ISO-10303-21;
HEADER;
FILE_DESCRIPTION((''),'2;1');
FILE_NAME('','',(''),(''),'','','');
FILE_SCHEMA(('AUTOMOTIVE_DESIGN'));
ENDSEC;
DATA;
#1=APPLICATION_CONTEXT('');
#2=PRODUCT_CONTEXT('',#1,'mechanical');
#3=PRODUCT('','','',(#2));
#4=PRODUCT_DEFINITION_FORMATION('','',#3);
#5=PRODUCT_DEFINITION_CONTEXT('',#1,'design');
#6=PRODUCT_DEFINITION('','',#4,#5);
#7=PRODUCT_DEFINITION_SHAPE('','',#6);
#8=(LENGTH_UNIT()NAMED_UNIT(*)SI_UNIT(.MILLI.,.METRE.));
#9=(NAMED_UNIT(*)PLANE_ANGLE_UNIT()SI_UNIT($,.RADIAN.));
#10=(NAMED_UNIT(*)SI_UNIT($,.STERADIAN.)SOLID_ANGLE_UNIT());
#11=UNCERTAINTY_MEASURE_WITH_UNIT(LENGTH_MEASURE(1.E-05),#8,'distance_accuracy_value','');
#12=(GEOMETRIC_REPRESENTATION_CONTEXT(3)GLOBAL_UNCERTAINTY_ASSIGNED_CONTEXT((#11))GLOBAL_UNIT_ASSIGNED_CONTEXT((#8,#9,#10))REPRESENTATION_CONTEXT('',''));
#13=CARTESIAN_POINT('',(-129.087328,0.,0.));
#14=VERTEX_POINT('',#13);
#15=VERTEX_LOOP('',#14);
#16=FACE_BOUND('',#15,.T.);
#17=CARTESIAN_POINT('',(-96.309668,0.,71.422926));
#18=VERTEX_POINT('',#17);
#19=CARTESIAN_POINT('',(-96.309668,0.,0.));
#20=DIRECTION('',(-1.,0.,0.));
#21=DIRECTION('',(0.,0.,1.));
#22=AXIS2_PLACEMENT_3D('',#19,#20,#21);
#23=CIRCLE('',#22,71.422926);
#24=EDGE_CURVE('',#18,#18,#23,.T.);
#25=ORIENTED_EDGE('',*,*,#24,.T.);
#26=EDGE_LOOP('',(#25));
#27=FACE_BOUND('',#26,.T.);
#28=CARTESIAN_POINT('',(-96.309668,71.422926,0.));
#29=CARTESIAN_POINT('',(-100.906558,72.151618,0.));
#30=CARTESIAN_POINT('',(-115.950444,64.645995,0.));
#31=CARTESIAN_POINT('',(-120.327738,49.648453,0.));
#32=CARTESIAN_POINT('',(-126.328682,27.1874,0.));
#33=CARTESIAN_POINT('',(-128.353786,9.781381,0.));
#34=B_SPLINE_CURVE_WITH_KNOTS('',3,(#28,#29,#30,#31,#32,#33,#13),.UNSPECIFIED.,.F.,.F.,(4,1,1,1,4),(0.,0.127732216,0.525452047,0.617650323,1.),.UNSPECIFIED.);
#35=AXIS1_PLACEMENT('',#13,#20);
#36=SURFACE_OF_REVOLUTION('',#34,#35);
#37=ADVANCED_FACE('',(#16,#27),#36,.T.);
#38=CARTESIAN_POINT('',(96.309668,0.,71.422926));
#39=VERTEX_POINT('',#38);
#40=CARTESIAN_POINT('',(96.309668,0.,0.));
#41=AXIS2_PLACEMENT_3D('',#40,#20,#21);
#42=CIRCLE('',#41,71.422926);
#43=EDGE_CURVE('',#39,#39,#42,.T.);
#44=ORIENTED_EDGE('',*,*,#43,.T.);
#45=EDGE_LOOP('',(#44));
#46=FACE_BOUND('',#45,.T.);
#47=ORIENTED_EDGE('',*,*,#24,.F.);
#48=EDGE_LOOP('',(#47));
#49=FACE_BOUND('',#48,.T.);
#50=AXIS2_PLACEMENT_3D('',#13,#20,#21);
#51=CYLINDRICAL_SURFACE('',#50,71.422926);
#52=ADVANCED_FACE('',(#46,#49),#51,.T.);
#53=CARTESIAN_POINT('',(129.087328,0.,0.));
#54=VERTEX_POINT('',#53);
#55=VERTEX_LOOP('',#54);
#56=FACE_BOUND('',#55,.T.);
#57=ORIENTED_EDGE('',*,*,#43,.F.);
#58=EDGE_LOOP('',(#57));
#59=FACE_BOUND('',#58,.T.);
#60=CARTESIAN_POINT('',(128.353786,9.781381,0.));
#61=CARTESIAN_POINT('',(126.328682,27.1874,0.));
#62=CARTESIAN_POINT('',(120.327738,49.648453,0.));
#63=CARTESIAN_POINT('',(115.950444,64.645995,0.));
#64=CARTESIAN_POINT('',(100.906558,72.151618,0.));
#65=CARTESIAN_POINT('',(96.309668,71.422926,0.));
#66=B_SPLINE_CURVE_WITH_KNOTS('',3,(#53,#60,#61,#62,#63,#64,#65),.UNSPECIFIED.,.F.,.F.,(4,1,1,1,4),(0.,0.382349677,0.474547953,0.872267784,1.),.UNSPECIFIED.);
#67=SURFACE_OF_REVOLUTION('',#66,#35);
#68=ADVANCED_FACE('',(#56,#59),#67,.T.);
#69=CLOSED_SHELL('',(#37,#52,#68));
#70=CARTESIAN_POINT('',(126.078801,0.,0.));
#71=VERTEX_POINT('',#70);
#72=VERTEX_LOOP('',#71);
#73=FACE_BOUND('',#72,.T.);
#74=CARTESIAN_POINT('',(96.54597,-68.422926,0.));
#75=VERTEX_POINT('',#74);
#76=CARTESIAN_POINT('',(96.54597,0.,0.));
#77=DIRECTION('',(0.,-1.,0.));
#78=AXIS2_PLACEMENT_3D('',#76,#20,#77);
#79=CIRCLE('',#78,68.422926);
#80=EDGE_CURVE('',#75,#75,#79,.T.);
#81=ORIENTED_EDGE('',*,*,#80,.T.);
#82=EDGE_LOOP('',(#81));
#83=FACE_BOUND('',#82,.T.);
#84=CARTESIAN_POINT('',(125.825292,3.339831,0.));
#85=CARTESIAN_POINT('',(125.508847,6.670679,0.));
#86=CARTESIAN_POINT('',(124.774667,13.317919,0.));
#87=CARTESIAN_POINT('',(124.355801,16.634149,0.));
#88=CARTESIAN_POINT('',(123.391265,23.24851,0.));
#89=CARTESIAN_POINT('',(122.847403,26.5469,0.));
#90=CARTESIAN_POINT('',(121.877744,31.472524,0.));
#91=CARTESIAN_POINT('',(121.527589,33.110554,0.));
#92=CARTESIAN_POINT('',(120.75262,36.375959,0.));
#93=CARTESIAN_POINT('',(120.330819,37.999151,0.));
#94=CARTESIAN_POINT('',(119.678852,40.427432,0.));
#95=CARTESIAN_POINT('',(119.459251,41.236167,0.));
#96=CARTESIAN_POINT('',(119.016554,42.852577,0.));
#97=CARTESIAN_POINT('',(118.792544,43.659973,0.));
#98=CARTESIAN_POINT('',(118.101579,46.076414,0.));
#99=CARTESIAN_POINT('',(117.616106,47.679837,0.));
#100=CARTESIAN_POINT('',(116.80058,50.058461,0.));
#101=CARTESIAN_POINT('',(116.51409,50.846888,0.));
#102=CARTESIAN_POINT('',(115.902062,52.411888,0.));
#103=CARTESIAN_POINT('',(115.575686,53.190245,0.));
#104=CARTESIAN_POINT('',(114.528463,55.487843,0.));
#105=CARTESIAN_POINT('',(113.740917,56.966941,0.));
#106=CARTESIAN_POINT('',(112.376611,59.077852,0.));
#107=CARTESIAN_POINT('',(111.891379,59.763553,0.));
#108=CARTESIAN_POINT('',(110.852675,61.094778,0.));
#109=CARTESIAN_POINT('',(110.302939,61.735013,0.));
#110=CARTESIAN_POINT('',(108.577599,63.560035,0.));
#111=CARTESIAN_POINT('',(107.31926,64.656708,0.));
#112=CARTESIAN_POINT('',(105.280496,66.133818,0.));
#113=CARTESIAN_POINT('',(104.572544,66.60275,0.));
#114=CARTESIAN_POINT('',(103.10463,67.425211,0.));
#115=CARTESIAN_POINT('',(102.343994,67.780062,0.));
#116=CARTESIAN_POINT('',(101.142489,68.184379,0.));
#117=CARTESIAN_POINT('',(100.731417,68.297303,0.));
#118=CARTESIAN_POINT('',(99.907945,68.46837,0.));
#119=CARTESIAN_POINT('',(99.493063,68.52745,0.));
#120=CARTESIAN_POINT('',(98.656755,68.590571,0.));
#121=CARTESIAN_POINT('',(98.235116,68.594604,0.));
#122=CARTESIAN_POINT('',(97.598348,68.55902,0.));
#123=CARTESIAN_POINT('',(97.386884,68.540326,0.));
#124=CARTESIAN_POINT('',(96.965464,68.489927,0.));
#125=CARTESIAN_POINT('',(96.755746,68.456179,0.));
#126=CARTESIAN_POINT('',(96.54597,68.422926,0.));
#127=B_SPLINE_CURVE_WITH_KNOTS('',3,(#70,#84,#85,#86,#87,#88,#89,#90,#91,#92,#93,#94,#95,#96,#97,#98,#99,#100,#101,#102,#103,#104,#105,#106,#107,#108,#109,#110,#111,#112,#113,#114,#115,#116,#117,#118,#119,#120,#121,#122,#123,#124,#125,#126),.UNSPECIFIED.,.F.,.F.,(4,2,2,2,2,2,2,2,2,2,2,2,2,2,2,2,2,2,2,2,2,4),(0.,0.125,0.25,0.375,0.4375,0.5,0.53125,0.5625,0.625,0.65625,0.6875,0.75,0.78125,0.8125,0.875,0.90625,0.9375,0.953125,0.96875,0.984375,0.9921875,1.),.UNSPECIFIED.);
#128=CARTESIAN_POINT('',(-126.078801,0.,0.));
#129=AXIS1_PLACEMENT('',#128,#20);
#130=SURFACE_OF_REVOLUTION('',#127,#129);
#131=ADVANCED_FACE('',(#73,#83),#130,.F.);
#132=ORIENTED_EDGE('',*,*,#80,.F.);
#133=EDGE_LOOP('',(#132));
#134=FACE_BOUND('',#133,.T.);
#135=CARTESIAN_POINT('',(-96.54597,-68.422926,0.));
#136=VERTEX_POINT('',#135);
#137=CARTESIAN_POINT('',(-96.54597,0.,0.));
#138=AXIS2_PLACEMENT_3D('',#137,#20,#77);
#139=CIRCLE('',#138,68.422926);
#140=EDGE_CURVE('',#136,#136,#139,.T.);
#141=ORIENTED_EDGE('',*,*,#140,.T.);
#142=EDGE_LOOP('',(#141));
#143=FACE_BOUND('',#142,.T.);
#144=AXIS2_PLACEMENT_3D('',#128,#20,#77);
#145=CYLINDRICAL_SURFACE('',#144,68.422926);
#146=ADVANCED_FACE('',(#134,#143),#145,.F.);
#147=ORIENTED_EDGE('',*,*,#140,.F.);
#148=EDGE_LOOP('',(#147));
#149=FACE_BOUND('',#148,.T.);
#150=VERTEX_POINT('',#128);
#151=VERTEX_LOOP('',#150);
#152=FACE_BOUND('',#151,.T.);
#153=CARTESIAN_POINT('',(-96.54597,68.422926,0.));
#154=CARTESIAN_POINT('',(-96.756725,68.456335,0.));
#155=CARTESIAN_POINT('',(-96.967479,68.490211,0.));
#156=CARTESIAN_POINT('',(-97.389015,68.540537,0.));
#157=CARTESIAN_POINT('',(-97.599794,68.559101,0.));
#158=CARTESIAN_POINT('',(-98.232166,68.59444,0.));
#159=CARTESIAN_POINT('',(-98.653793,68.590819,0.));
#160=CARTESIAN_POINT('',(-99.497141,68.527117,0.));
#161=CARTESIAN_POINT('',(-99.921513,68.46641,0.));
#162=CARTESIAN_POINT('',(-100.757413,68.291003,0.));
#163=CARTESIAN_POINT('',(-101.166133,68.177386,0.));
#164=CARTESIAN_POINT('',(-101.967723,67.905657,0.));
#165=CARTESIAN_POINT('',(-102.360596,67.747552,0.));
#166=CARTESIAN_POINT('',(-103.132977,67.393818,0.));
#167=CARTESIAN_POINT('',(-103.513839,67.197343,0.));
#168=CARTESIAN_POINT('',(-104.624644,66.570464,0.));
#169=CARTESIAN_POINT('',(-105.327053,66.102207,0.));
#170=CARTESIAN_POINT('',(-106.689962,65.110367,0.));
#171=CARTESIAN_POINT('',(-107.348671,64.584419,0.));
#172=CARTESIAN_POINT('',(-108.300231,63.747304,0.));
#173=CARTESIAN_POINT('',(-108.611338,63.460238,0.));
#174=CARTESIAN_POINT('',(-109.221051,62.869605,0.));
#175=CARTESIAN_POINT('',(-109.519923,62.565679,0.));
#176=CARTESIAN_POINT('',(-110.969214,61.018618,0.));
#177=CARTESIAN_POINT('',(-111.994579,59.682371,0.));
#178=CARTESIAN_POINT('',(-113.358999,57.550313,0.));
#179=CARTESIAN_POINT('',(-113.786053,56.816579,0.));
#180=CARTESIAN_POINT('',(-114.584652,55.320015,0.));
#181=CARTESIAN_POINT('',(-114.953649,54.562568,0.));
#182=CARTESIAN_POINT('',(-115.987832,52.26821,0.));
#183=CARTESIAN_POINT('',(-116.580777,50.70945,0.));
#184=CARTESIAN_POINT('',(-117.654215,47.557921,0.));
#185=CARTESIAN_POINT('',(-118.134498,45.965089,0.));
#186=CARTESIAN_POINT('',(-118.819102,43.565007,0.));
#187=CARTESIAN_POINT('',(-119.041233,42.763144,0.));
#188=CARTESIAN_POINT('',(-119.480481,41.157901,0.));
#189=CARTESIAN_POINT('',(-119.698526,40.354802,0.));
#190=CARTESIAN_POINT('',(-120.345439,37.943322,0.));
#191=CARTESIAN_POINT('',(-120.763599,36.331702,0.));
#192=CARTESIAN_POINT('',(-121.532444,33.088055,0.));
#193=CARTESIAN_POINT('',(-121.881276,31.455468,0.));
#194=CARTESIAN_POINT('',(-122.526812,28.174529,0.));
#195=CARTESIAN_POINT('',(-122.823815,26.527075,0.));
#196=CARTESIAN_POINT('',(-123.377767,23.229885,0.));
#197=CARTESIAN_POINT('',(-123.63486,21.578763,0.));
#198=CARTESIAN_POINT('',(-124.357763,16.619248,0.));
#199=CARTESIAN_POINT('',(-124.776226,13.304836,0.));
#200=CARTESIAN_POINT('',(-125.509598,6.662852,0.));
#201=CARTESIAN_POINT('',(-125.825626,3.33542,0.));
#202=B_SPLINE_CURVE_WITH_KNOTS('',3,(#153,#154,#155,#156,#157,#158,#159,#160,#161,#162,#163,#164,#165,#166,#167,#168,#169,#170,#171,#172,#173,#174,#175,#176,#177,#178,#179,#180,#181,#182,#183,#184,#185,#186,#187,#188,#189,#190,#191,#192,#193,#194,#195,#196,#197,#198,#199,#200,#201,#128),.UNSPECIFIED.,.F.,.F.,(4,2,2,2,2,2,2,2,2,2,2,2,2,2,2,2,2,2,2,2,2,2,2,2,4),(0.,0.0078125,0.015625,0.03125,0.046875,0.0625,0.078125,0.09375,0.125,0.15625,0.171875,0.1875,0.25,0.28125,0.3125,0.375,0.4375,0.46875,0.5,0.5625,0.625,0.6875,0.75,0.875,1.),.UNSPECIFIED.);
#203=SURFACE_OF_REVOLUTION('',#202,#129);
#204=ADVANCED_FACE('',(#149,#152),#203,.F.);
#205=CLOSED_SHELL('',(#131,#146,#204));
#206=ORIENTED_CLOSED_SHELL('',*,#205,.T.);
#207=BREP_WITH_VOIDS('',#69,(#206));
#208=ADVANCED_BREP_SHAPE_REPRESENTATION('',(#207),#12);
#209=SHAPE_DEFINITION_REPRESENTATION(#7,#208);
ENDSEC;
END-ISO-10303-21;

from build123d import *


with BuildPart() as part:
    # 草图1 → 旋转1 (revolve)
    with BuildSketch(Plane.XY, mode=Mode.PRIVATE) as revolve_1_sk:
        with BuildLine():
            Line((-96.309667957, 71.422926027), (96.309667957, 71.422926027))
            add(Edge.make_bspline(
                [(129.08732806, 0), (128.353786475, 9.781381495), (126.328681606, 27.187400482), (120.327737662, 49.648453022), (115.950444214, 64.645995459), (100.906558405, 72.151618226), (96.309667957, 71.422926027)],
                knots=[0, 0, 0, 0, 0.382349677, 0.474547953, 0.872267784, 1, 1, 1, 1], degree=3))
            Line((129.08732806, 0), (-129.08732806, 0))
            add(Edge.make_bspline(
                [(-129.08732806, 0), (-128.353786475, 9.781381495), (-126.328681606, 27.187400482), (-120.327737662, 49.648453022), (-115.950444214, 64.645995459), (-100.906558405, 72.151618226), (-96.309667957, 71.422926027)],
                knots=[0, 0, 0, 0, 0.382349677, 0.474547953, 0.872267784, 1, 1, 1, 1], degree=3))
        make_face()
    revolve(revolve_1_sk.sketch.rotate(Axis((-129.08732806, 0, 0), (1, 0, 0)), 90), axis=Axis((-129.08732806, 0, 0), (1, 0, 0)))

    # 草图4 → 切除-旋转1 (revolve, cut)
    with BuildSketch(Plane.XY, mode=Mode.PRIVATE) as cut_revolve_1_sk:
        with BuildLine():
            Line((-126.078801352, 0), (126.078801352, 0))
            add(Edge.make_bspline(
                [(126.078801352, 0), (125.825291509, 3.339830773), (125.508847194, 6.670679111), (124.774667492, 13.317918839), (124.355801062, 16.634148798), (123.391264797, 23.248510474), (122.847403047, 26.546900253), (121.877744354, 31.472524112), (121.527589344, 33.110554323), (120.752619912, 36.375958846), (120.330818985, 37.999151424), (119.678852055, 40.427432304), (119.459251144, 41.236167478), (119.016554178, 42.852576697), (118.792543707, 43.659973124), (118.101578535, 46.076414097), (117.616105801, 47.679836549), (116.8005799, 50.058460756), (116.514089784, 50.846888298), (115.902061747, 52.411888429), (115.575686438, 53.19024501), (114.528463327, 55.487843451), (113.740916631, 56.966941223), (112.376611407, 59.077852338), (111.891378846, 59.763553104), (110.852675062, 61.094777997), (110.30293854, 61.735013415), (108.577598885, 63.560034984), (107.319260445, 64.656708088), (105.280496447, 66.133818146), (104.572544395, 66.602749718), (103.104629812, 67.425210728), (102.343993862, 67.780062018), (101.142489185, 68.184378854), (100.731416814, 68.297303439), (99.907944952, 68.468370463), (99.49306313, 68.527449698), (98.656754583, 68.590571071), (98.235116332, 68.594604418), (97.598347527, 68.559020417), (97.386883628, 68.540325939), (96.965464459, 68.489927036), (96.755746125, 68.456179351), (96.545970464, 68.422926027)],
                knots=[0, 0, 0, 0, 0.125, 0.125, 0.25, 0.25, 0.375, 0.375, 0.4375, 0.4375, 0.5, 0.5, 0.53125, 0.53125, 0.5625, 0.5625, 0.625, 0.625, 0.65625, 0.65625, 0.6875, 0.6875, 0.75, 0.75, 0.78125, 0.78125, 0.8125, 0.8125, 0.875, 0.875, 0.90625, 0.90625, 0.9375, 0.9375, 0.953125, 0.953125, 0.96875, 0.96875, 0.984375, 0.984375, 0.9921875, 0.9921875, 1, 1, 1, 1], degree=3))
            Line((96.545970464, 68.422926027), (-96.545970464, 68.422926027))
            add(Edge.make_bspline(
                [(-96.545970464, 68.422926027), (-96.75672493, 68.45633451), (-96.967478614, 68.490210966), (-97.389015118, 68.540537375), (-97.599794404, 68.559100869), (-98.232166291, 68.594440369), (-98.653792995, 68.590819433), (-99.497140805, 68.527117065), (-99.921513362, 68.466410095), (-100.757413414, 68.291003009), (-101.166133269, 68.177386464), (-101.967723406, 67.905656908), (-102.360596482, 67.747551742), (-103.132976869, 67.393818046), (-103.513838932, 67.197342958), (-104.624644097, 66.570463838), (-105.327052628, 66.102207351), (-106.689961654, 65.110367206), (-107.348671058, 64.584418944), (-108.300231491, 63.747304242), (-108.611337634, 63.460238284), (-109.221050533, 62.869604625), (-109.519923336, 62.565679061), (-110.969214004, 61.018617602), (-111.994578681, 59.68237148), (-113.358998789, 57.5503126), (-113.786052714, 56.816579039), (-114.584652245, 55.320015093), (-114.953648693, 54.562568491), (-115.987832153, 52.268210014), (-116.58077689, 50.709449918), (-117.654215242, 47.557921148), (-118.134498327, 45.965088804), (-118.81910205, 43.565006978), (-119.041232791, 42.763143802), (-119.480480869, 41.157901247), (-119.698526032, 40.35480247), (-120.345438769, 37.943321764), (-120.763598961, 36.331701602), (-121.532443652, 33.088054616), (-121.881276065, 31.455467664), (-122.526812372, 28.17452854), (-122.823815225, 26.527075407), (-123.377766808, 23.22988543), (-123.634859773, 21.578763226), (-124.357762796, 16.619247782), (-124.776225844, 13.30483648), (-125.509597954, 6.662851605), (-125.825626286, 3.335420298), (-126.078801352, 0)],
                knots=[0, 0, 0, 0, 0.0078125, 0.0078125, 0.015625, 0.015625, 0.03125, 0.03125, 0.046875, 0.046875, 0.0625, 0.0625, 0.078125, 0.078125, 0.09375, 0.09375, 0.125, 0.125, 0.15625, 0.15625, 0.171875, 0.171875, 0.1875, 0.1875, 0.25, 0.25, 0.28125, 0.28125, 0.3125, 0.3125, 0.375, 0.375, 0.4375, 0.4375, 0.46875, 0.46875, 0.5, 0.5, 0.5625, 0.5625, 0.625, 0.625, 0.6875, 0.6875, 0.75, 0.75, 0.875, 0.875, 1, 1, 1, 1], degree=3))
        make_face()
    revolve(cut_revolve_1_sk.sketch.rotate(Axis((-126.078801352, 0, 0), (1, 0, 0)), 180), axis=Axis((-126.078801352, 0, 0), (1, 0, 0)), mode=Mode.SUBTRACT)


solid = part.part
